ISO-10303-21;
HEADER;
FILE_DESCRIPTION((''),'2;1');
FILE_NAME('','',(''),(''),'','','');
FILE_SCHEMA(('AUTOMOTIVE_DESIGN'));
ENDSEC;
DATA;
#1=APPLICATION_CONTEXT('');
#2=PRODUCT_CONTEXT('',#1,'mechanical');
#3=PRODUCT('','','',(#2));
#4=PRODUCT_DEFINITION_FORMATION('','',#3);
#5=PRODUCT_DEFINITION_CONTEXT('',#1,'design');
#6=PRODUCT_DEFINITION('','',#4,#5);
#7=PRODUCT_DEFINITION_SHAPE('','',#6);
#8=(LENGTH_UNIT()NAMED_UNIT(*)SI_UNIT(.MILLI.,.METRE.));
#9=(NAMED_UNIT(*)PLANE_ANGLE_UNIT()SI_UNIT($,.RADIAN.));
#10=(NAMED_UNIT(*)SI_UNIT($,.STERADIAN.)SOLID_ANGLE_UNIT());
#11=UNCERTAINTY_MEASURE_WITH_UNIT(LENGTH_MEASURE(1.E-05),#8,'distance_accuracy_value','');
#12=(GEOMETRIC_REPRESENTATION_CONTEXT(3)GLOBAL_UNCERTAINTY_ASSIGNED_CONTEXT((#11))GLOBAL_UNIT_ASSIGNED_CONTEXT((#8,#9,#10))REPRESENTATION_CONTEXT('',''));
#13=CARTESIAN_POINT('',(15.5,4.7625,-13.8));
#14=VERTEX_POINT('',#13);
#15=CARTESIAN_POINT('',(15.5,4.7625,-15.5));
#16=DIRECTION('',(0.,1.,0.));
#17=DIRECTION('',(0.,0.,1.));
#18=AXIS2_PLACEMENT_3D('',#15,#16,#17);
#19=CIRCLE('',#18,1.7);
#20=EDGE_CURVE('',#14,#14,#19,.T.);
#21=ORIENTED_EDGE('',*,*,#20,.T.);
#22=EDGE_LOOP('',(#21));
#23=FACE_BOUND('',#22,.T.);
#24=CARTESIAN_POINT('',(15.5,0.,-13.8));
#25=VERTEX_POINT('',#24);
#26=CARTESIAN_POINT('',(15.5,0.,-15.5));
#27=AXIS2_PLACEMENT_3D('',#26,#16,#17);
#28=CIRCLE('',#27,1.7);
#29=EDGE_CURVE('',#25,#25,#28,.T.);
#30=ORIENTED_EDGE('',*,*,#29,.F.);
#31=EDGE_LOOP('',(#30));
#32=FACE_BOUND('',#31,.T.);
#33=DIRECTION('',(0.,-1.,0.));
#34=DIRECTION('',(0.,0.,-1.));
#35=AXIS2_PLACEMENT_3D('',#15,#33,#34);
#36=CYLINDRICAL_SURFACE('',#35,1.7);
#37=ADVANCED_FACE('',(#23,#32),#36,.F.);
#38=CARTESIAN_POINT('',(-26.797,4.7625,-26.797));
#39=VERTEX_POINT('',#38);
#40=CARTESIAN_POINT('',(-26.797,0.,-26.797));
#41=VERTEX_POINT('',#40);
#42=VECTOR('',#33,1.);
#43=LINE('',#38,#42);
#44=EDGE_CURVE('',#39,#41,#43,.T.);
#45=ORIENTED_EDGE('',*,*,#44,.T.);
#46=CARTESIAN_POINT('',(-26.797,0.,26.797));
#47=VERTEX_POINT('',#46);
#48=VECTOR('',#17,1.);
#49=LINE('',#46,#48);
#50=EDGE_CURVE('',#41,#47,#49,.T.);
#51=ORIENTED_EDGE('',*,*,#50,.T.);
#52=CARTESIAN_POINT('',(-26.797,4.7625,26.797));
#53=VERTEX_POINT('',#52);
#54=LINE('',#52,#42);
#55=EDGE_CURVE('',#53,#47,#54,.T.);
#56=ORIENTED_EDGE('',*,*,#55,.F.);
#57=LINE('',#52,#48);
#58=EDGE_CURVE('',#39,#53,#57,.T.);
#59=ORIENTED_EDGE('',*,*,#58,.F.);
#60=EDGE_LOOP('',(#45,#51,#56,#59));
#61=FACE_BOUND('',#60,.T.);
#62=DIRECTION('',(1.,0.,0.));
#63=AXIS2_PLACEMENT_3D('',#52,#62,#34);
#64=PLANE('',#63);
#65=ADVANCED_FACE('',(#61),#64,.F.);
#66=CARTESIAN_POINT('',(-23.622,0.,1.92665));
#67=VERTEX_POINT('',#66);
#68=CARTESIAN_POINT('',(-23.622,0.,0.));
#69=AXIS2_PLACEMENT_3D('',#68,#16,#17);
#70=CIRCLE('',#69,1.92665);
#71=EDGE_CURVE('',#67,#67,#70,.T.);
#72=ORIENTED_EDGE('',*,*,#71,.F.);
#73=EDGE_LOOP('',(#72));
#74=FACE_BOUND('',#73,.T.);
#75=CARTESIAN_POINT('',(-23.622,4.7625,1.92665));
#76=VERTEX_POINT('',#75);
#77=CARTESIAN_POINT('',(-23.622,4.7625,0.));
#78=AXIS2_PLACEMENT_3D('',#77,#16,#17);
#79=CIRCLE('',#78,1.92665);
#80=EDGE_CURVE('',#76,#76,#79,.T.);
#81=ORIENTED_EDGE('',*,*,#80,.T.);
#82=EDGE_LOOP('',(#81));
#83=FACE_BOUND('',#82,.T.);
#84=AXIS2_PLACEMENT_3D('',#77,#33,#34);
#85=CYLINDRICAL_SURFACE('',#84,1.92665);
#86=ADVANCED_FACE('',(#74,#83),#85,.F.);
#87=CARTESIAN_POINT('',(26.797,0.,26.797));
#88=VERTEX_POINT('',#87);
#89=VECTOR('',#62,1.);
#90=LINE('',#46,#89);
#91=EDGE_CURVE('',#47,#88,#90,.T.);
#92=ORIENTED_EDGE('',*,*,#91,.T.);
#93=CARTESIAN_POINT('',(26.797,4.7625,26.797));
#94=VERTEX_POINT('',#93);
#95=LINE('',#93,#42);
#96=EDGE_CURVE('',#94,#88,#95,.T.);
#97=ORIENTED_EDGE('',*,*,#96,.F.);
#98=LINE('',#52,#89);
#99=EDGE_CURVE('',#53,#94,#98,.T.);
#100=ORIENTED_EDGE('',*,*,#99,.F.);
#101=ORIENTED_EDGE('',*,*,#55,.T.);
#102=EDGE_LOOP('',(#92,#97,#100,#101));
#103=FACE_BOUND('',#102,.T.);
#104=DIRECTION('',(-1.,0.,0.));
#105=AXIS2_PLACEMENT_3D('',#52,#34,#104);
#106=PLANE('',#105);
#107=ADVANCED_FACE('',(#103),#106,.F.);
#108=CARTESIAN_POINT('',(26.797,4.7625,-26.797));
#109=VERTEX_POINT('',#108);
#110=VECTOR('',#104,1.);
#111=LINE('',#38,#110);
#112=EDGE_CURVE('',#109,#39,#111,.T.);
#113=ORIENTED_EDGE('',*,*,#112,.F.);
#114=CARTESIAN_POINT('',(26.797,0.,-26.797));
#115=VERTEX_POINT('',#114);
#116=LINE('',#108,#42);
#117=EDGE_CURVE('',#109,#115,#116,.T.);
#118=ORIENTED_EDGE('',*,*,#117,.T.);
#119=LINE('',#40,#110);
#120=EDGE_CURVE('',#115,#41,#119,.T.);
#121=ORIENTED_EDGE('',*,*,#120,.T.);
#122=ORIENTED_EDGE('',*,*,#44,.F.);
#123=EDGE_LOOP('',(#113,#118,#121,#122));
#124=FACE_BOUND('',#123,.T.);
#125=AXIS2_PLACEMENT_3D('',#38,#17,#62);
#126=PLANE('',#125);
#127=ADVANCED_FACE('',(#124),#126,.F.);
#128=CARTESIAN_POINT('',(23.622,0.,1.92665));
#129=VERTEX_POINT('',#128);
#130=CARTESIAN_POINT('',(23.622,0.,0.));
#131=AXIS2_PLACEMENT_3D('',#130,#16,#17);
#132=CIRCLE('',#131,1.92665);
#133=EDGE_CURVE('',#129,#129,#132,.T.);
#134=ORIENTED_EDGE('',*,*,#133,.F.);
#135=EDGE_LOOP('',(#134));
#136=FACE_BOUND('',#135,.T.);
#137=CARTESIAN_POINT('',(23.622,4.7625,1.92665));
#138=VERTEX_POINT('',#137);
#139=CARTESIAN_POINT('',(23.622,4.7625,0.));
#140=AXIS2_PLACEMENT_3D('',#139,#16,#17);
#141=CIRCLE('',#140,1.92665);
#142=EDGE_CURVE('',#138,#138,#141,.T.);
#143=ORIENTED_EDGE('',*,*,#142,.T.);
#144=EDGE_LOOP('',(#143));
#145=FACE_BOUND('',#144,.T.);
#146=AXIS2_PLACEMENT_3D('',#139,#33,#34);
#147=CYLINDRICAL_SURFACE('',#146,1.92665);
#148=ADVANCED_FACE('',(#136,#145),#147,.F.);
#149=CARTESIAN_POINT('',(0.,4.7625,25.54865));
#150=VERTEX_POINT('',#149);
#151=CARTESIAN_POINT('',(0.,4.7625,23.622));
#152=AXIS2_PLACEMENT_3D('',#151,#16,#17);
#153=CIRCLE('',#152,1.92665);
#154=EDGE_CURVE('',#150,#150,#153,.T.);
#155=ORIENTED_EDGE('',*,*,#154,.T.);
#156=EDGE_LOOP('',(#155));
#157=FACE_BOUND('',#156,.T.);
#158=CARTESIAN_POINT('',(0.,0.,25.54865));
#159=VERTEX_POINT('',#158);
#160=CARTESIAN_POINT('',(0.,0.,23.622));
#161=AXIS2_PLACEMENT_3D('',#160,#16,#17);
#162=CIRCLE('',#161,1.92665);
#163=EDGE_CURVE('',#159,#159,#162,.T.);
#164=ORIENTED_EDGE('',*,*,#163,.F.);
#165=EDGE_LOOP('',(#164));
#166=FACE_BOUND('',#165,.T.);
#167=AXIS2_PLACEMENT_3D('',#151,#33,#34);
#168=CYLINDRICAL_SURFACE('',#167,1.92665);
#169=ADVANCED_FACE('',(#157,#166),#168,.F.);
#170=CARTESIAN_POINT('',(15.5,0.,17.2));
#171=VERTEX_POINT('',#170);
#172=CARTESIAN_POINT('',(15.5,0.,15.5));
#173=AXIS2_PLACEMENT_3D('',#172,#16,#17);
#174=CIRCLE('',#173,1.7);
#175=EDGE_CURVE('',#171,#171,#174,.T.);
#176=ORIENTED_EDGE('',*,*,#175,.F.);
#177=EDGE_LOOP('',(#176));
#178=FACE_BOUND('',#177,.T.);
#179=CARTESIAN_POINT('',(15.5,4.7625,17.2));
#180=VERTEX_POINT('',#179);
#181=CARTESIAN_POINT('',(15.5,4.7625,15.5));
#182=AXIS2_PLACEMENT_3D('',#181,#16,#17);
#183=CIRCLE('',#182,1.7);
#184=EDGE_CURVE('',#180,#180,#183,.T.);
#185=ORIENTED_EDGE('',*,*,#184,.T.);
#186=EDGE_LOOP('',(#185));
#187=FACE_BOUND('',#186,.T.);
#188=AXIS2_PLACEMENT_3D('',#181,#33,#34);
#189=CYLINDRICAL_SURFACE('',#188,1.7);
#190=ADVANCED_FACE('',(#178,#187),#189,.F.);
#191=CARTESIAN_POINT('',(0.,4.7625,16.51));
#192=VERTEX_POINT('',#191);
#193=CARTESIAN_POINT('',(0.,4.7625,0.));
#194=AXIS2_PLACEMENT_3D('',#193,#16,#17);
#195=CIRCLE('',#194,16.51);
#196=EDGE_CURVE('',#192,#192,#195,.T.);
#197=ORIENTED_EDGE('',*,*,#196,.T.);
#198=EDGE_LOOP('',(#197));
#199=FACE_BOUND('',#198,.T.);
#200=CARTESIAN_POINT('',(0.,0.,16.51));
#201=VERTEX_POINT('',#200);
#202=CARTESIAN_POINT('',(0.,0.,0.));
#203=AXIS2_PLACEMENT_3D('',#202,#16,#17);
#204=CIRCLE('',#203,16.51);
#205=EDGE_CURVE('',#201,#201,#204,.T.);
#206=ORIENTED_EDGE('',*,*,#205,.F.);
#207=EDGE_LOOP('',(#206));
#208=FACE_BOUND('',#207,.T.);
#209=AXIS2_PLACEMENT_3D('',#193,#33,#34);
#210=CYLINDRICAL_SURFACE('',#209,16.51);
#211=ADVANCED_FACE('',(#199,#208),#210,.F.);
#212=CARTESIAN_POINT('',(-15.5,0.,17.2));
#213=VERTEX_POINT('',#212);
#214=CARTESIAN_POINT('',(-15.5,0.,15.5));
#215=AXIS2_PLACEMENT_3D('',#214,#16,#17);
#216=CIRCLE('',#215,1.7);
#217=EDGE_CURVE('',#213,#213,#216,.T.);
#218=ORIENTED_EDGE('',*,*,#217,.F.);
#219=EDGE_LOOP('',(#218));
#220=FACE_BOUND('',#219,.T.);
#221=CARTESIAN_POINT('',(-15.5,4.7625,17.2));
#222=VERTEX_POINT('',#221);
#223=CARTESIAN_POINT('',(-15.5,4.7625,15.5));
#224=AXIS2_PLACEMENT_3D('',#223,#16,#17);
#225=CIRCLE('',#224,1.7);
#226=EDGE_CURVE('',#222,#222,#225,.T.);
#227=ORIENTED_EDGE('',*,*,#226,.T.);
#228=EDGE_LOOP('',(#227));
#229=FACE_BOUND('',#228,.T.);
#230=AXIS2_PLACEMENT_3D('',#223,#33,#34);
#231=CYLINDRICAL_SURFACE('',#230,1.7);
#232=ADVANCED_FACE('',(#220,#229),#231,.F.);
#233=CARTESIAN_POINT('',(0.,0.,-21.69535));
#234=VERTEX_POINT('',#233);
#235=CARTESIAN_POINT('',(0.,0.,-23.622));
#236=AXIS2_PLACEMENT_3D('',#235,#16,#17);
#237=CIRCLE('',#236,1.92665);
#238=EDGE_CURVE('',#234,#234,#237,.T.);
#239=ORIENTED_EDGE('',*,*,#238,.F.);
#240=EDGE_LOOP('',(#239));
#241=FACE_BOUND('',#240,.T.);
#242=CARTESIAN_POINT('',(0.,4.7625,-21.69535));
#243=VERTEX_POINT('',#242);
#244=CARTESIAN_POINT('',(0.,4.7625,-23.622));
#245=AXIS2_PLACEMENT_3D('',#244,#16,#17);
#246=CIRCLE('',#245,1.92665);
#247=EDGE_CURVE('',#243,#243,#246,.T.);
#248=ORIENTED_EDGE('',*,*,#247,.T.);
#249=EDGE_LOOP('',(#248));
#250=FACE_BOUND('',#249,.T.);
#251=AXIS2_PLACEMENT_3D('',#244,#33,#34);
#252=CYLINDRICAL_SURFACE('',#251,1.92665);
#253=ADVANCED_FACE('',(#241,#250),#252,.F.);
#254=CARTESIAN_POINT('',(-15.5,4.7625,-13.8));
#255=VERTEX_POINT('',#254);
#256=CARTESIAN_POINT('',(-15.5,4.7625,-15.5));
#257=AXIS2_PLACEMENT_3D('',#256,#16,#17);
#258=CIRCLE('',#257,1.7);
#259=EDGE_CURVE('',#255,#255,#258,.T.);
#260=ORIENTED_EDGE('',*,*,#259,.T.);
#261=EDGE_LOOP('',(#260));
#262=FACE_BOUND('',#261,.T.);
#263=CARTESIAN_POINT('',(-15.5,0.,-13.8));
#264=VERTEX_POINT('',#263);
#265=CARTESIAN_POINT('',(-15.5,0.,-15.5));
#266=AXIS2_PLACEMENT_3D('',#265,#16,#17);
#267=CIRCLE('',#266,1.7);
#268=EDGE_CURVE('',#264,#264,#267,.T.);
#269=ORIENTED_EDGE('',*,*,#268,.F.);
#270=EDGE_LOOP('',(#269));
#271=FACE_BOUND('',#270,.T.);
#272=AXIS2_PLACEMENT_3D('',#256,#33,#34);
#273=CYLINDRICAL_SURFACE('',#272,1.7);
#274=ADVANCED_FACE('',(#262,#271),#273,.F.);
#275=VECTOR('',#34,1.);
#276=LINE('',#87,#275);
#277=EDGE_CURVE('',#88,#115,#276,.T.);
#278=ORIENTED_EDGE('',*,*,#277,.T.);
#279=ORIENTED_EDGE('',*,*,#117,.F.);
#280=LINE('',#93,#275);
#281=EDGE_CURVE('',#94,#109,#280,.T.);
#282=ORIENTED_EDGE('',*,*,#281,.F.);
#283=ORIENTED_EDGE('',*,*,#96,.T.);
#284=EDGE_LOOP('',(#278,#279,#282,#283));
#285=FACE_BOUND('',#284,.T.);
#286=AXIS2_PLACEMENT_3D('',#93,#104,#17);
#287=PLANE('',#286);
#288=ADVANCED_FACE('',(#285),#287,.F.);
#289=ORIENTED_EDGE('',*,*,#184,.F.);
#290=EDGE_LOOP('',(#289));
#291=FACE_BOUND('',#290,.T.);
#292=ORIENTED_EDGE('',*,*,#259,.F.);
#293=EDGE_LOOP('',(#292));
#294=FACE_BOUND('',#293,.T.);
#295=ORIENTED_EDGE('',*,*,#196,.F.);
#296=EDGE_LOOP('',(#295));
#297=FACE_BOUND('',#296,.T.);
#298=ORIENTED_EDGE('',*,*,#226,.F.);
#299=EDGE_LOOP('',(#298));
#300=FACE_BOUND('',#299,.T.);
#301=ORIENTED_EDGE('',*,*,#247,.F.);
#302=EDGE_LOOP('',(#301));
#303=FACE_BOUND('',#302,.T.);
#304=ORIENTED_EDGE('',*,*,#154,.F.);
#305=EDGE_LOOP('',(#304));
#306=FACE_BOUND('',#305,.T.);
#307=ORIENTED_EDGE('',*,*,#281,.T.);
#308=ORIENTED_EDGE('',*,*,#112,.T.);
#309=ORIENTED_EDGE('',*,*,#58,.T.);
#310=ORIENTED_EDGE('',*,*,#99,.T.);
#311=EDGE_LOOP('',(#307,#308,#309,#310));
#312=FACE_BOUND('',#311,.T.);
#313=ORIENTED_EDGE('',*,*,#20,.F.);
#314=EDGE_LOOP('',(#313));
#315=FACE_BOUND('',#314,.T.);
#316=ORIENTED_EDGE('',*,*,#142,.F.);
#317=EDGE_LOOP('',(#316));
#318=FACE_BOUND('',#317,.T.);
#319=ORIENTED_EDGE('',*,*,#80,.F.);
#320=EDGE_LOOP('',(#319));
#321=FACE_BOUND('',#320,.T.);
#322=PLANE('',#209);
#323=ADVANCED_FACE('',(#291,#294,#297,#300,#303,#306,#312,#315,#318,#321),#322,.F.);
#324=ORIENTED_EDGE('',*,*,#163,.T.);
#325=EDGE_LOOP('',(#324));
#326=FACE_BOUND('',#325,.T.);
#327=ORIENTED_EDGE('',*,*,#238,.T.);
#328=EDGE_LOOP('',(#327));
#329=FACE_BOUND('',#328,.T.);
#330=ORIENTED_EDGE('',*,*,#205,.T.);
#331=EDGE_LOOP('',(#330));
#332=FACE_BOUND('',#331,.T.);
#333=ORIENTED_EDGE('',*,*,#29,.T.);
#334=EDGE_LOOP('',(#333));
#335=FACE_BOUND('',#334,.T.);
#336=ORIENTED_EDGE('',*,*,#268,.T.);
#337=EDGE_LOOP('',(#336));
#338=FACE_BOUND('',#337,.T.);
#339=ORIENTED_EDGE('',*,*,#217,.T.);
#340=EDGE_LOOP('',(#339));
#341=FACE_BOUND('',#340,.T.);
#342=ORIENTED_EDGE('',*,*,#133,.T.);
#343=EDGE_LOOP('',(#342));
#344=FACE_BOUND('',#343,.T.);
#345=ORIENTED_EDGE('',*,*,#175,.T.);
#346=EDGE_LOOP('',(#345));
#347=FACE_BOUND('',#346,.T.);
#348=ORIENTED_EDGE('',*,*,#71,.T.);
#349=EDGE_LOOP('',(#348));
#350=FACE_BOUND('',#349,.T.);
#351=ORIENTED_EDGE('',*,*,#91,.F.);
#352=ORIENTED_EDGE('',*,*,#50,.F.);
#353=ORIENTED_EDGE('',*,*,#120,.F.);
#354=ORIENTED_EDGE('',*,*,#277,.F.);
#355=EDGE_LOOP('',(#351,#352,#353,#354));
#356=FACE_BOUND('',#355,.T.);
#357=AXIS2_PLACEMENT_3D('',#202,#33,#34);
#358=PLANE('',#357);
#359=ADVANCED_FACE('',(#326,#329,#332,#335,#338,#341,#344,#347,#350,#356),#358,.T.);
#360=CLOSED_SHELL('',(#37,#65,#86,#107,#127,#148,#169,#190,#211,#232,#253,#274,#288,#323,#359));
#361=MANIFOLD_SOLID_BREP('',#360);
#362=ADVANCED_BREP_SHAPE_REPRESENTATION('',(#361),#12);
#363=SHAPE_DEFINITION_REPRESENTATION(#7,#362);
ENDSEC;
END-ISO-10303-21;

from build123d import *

# Parameters (mm, degrees)
SKETCH1_W           = 53.594
SKETCH1_H           = 53.594
SKETCH1_R           = 16.51
SKETCH1_R_2         = 1.7
SKETCH1_R_3         = 1.926649595
BOSS_EXTRUDE1_DEPTH = 4.7625


with BuildPart() as part:
    # Sketch1 → Boss-Extrude1 (new body)
    with BuildSketch(Plane(origin=(0, 0, 0), x_dir=(1, 0, 0), z_dir=(0, 1, 0))):
        Rectangle(SKETCH1_W, SKETCH1_H)
        Circle(SKETCH1_R, mode=Mode.SUBTRACT)
        with Locations((-15.5, 15.5)):
            Circle(SKETCH1_R_2, mode=Mode.SUBTRACT)
        with Locations((15.5, 15.5)):
            Circle(SKETCH1_R_2, mode=Mode.SUBTRACT)
        with Locations((15.5, -15.5)):
            Circle(SKETCH1_R_2, mode=Mode.SUBTRACT)
        with Locations((-15.5, -15.5)):
            Circle(SKETCH1_R_2, mode=Mode.SUBTRACT)
        with Locations((0, 23.622)):
            Circle(SKETCH1_R_3, mode=Mode.SUBTRACT)
        with Locations((23.622, 0)):
            Circle(SKETCH1_R_3, mode=Mode.SUBTRACT)
        with Locations((0, -23.622)):
            Circle(SKETCH1_R_3, mode=Mode.SUBTRACT)
        with Locations((-23.622, 0)):
            Circle(SKETCH1_R_3, mode=Mode.SUBTRACT)
    extrude(amount=BOSS_EXTRUDE1_DEPTH)


solid = part.part
